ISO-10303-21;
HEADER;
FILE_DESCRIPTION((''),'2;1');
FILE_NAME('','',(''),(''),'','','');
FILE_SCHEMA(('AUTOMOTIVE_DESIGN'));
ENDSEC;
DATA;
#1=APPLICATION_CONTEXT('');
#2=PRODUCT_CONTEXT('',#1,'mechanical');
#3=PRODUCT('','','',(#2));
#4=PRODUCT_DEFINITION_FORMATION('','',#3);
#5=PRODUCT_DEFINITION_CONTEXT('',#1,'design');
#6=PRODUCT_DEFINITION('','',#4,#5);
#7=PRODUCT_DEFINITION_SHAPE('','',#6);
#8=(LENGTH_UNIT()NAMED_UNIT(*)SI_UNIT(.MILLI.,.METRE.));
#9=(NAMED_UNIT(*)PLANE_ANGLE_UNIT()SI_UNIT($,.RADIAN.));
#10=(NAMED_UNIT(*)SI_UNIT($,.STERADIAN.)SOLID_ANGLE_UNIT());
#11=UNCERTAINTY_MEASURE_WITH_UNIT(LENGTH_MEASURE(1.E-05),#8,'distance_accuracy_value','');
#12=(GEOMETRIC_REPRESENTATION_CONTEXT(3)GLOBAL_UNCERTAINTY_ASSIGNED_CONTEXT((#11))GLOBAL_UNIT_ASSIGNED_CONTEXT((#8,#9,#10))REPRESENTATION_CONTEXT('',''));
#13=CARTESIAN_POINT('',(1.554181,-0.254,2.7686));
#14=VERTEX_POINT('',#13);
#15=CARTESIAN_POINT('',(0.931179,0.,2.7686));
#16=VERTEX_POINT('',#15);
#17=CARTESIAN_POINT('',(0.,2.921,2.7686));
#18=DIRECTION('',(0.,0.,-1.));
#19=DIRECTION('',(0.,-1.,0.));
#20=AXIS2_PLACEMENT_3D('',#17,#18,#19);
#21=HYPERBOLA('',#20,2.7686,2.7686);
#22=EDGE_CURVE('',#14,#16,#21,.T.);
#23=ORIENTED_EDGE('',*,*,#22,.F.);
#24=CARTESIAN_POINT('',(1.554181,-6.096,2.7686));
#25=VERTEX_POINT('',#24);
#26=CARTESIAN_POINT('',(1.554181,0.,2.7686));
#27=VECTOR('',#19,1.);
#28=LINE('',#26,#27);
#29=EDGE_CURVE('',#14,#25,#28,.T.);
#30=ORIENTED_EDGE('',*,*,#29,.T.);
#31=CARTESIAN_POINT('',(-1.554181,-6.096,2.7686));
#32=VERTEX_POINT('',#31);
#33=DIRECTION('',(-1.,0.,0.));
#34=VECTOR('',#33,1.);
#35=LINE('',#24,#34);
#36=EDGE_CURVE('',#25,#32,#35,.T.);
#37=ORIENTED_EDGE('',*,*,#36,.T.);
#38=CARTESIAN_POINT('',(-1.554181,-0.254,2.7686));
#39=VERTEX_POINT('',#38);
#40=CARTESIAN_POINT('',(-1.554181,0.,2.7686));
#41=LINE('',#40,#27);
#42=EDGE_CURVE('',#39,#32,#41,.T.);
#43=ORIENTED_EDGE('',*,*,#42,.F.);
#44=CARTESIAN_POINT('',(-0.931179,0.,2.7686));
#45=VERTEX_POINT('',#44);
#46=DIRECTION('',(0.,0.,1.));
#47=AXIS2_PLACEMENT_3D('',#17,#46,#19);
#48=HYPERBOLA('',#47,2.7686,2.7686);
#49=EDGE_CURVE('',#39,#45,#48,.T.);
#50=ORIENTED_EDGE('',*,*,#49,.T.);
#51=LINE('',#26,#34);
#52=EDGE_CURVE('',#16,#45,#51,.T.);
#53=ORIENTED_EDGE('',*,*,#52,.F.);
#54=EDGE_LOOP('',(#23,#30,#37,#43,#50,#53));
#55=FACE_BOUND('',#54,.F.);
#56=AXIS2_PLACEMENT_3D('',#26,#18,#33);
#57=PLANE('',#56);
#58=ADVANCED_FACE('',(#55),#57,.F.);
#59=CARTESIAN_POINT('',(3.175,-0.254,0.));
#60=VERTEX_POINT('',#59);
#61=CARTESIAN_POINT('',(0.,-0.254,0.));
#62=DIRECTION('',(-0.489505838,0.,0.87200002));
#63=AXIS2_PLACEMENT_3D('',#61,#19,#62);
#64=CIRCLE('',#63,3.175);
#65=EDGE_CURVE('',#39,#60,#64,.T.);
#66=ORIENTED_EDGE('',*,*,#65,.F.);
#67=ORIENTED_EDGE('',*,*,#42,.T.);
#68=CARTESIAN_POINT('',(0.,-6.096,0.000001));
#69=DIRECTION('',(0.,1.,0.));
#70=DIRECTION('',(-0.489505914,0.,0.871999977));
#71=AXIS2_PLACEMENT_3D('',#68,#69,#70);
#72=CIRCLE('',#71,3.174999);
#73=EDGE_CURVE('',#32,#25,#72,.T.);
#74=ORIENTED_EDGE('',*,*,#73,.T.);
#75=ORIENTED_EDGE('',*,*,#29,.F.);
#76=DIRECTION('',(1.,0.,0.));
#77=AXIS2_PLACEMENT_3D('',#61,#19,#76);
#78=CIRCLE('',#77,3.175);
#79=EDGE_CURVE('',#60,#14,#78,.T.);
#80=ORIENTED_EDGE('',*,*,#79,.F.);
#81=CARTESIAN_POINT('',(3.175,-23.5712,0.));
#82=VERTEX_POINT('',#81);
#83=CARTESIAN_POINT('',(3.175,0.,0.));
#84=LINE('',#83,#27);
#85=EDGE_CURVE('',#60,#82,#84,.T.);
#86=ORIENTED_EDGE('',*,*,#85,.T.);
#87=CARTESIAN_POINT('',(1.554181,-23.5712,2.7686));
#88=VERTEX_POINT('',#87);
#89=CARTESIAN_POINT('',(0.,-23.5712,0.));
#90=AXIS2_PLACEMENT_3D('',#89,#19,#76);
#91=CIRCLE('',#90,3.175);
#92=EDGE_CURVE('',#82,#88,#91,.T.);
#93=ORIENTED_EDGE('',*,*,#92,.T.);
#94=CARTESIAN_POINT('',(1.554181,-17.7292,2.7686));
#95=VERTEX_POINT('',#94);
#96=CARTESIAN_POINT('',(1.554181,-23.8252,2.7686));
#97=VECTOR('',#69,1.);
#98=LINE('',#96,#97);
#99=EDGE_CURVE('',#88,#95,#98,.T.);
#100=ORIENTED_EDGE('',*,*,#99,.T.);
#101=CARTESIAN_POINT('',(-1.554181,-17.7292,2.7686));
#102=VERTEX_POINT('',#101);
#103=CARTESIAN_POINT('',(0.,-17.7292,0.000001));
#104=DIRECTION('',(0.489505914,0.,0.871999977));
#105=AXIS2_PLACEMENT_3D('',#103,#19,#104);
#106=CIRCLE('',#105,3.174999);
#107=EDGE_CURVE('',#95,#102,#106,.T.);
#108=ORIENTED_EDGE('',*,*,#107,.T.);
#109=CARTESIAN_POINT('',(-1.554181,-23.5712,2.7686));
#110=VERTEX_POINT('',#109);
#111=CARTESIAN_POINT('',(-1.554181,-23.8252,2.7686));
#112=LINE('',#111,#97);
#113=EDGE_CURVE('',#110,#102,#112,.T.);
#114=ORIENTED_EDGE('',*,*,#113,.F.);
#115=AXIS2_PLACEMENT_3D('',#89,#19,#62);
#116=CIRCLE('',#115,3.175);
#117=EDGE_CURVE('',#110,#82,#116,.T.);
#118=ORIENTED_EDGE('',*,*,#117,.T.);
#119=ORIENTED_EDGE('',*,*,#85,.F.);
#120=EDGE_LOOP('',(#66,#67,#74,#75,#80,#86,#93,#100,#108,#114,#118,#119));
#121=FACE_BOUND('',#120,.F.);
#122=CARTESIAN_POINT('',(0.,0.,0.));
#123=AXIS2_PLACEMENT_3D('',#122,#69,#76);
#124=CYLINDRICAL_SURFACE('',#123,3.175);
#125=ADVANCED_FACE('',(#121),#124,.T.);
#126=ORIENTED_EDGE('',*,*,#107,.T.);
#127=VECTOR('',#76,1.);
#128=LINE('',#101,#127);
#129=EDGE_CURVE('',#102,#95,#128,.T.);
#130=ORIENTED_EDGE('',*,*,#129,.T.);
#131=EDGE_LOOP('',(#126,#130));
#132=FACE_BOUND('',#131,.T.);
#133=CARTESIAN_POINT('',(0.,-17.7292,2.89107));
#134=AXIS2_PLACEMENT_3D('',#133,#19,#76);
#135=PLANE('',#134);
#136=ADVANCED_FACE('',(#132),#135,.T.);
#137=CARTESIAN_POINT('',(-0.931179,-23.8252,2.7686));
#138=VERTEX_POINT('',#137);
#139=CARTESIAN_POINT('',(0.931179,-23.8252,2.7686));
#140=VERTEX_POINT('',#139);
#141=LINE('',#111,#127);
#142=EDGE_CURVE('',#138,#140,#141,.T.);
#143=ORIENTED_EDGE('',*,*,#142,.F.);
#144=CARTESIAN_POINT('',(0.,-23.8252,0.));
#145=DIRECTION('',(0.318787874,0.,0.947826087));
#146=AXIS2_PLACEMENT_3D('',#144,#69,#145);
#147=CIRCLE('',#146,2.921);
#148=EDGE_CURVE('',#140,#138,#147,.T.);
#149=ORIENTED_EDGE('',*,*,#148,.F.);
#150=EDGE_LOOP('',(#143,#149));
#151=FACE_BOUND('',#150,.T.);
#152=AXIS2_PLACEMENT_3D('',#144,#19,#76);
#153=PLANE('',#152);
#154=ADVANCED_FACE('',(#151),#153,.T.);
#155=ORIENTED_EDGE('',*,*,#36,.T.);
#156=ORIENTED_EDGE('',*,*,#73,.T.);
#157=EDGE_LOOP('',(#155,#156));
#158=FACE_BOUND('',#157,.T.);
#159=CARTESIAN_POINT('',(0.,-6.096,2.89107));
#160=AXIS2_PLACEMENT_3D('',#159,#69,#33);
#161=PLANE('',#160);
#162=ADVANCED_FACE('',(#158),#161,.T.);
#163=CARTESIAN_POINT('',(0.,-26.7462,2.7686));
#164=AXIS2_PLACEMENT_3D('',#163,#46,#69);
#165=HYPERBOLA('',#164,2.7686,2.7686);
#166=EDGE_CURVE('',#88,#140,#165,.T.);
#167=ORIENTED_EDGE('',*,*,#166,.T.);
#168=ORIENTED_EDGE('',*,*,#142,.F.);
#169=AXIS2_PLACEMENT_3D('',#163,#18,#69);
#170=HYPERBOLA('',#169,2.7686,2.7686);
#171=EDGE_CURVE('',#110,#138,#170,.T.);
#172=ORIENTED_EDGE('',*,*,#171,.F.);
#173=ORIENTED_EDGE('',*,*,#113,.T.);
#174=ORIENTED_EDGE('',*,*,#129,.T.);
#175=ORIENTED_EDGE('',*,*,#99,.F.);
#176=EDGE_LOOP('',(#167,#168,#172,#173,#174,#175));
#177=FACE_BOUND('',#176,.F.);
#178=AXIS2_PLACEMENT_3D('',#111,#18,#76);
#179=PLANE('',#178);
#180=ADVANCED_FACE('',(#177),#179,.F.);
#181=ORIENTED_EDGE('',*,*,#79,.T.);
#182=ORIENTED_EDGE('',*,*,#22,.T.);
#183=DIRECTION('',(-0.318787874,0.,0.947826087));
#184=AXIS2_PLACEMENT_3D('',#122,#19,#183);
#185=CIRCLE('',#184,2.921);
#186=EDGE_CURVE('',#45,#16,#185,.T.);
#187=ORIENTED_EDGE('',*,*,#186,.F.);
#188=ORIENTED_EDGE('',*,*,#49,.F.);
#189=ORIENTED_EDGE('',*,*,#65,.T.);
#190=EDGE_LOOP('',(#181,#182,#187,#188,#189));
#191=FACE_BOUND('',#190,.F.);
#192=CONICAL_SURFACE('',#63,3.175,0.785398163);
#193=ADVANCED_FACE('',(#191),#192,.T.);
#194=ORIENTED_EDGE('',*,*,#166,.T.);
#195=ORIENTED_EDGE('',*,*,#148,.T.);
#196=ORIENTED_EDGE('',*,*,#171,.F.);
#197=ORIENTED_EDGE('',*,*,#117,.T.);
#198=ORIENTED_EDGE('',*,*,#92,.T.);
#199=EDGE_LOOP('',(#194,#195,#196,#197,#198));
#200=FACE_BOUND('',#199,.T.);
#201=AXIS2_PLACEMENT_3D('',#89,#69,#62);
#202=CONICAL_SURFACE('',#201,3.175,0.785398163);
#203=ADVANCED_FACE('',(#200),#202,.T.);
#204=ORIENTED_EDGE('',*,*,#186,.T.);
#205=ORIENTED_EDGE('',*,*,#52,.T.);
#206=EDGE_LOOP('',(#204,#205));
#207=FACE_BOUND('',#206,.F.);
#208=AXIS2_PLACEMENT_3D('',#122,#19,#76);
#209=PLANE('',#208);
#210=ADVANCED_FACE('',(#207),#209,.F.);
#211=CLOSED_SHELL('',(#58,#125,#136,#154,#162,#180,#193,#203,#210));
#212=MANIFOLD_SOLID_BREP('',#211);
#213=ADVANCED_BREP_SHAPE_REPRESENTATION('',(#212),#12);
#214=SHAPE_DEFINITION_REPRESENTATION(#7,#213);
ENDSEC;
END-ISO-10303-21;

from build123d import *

# Parameters (mm, degrees)
F0_R     = 3.175
F1_DEPTH = 23.8252
F3_DEPTH = 6.096
F5_DEPTH = 6.096
F6_SIZE  = 0.254


with BuildPart() as f1:
    # F0 (on Front) → F1 (new body)
    with BuildSketch(Plane.XZ):
        Circle(F0_R)
    extrude(amount=F1_DEPTH)

    # F2 (on face) → F3 (cut)
    with BuildSketch(Plane(origin=(0, 0, 0), x_dir=(-1, 0, 0), z_dir=(0, 1, 0))):
        with BuildLine():
            ThreePointArc((1.554181, 2.7686), (0, 3.175), (-1.554181, 2.7686))
            Line((-1.554181, 2.7686), (1.554181, 2.7686))
        make_face()
    extrude(amount=-F3_DEPTH, mode=Mode.SUBTRACT)

    # F4 (on face) → F5 (cut)
    with BuildSketch(Plane.XZ.offset(23.8252)):
        with BuildLine():
            ThreePointArc((1.554181, 2.7686), (0, 3.175), (-1.554181, 2.7686))
            Line((-1.554181, 2.7686), (1.554181, 2.7686))
        make_face()
    extrude(amount=-F5_DEPTH, mode=Mode.SUBTRACT)

    # F6
    f6_edges = [f1.edges().sort_by_distance(p)[0] for p in [
        (-1.604073, 0, -2.739995),
        (-1.604073, -23.8252, -2.739995),
    ]]
    chamfer(f6_edges, length=F6_SIZE)


solid = f1.part
